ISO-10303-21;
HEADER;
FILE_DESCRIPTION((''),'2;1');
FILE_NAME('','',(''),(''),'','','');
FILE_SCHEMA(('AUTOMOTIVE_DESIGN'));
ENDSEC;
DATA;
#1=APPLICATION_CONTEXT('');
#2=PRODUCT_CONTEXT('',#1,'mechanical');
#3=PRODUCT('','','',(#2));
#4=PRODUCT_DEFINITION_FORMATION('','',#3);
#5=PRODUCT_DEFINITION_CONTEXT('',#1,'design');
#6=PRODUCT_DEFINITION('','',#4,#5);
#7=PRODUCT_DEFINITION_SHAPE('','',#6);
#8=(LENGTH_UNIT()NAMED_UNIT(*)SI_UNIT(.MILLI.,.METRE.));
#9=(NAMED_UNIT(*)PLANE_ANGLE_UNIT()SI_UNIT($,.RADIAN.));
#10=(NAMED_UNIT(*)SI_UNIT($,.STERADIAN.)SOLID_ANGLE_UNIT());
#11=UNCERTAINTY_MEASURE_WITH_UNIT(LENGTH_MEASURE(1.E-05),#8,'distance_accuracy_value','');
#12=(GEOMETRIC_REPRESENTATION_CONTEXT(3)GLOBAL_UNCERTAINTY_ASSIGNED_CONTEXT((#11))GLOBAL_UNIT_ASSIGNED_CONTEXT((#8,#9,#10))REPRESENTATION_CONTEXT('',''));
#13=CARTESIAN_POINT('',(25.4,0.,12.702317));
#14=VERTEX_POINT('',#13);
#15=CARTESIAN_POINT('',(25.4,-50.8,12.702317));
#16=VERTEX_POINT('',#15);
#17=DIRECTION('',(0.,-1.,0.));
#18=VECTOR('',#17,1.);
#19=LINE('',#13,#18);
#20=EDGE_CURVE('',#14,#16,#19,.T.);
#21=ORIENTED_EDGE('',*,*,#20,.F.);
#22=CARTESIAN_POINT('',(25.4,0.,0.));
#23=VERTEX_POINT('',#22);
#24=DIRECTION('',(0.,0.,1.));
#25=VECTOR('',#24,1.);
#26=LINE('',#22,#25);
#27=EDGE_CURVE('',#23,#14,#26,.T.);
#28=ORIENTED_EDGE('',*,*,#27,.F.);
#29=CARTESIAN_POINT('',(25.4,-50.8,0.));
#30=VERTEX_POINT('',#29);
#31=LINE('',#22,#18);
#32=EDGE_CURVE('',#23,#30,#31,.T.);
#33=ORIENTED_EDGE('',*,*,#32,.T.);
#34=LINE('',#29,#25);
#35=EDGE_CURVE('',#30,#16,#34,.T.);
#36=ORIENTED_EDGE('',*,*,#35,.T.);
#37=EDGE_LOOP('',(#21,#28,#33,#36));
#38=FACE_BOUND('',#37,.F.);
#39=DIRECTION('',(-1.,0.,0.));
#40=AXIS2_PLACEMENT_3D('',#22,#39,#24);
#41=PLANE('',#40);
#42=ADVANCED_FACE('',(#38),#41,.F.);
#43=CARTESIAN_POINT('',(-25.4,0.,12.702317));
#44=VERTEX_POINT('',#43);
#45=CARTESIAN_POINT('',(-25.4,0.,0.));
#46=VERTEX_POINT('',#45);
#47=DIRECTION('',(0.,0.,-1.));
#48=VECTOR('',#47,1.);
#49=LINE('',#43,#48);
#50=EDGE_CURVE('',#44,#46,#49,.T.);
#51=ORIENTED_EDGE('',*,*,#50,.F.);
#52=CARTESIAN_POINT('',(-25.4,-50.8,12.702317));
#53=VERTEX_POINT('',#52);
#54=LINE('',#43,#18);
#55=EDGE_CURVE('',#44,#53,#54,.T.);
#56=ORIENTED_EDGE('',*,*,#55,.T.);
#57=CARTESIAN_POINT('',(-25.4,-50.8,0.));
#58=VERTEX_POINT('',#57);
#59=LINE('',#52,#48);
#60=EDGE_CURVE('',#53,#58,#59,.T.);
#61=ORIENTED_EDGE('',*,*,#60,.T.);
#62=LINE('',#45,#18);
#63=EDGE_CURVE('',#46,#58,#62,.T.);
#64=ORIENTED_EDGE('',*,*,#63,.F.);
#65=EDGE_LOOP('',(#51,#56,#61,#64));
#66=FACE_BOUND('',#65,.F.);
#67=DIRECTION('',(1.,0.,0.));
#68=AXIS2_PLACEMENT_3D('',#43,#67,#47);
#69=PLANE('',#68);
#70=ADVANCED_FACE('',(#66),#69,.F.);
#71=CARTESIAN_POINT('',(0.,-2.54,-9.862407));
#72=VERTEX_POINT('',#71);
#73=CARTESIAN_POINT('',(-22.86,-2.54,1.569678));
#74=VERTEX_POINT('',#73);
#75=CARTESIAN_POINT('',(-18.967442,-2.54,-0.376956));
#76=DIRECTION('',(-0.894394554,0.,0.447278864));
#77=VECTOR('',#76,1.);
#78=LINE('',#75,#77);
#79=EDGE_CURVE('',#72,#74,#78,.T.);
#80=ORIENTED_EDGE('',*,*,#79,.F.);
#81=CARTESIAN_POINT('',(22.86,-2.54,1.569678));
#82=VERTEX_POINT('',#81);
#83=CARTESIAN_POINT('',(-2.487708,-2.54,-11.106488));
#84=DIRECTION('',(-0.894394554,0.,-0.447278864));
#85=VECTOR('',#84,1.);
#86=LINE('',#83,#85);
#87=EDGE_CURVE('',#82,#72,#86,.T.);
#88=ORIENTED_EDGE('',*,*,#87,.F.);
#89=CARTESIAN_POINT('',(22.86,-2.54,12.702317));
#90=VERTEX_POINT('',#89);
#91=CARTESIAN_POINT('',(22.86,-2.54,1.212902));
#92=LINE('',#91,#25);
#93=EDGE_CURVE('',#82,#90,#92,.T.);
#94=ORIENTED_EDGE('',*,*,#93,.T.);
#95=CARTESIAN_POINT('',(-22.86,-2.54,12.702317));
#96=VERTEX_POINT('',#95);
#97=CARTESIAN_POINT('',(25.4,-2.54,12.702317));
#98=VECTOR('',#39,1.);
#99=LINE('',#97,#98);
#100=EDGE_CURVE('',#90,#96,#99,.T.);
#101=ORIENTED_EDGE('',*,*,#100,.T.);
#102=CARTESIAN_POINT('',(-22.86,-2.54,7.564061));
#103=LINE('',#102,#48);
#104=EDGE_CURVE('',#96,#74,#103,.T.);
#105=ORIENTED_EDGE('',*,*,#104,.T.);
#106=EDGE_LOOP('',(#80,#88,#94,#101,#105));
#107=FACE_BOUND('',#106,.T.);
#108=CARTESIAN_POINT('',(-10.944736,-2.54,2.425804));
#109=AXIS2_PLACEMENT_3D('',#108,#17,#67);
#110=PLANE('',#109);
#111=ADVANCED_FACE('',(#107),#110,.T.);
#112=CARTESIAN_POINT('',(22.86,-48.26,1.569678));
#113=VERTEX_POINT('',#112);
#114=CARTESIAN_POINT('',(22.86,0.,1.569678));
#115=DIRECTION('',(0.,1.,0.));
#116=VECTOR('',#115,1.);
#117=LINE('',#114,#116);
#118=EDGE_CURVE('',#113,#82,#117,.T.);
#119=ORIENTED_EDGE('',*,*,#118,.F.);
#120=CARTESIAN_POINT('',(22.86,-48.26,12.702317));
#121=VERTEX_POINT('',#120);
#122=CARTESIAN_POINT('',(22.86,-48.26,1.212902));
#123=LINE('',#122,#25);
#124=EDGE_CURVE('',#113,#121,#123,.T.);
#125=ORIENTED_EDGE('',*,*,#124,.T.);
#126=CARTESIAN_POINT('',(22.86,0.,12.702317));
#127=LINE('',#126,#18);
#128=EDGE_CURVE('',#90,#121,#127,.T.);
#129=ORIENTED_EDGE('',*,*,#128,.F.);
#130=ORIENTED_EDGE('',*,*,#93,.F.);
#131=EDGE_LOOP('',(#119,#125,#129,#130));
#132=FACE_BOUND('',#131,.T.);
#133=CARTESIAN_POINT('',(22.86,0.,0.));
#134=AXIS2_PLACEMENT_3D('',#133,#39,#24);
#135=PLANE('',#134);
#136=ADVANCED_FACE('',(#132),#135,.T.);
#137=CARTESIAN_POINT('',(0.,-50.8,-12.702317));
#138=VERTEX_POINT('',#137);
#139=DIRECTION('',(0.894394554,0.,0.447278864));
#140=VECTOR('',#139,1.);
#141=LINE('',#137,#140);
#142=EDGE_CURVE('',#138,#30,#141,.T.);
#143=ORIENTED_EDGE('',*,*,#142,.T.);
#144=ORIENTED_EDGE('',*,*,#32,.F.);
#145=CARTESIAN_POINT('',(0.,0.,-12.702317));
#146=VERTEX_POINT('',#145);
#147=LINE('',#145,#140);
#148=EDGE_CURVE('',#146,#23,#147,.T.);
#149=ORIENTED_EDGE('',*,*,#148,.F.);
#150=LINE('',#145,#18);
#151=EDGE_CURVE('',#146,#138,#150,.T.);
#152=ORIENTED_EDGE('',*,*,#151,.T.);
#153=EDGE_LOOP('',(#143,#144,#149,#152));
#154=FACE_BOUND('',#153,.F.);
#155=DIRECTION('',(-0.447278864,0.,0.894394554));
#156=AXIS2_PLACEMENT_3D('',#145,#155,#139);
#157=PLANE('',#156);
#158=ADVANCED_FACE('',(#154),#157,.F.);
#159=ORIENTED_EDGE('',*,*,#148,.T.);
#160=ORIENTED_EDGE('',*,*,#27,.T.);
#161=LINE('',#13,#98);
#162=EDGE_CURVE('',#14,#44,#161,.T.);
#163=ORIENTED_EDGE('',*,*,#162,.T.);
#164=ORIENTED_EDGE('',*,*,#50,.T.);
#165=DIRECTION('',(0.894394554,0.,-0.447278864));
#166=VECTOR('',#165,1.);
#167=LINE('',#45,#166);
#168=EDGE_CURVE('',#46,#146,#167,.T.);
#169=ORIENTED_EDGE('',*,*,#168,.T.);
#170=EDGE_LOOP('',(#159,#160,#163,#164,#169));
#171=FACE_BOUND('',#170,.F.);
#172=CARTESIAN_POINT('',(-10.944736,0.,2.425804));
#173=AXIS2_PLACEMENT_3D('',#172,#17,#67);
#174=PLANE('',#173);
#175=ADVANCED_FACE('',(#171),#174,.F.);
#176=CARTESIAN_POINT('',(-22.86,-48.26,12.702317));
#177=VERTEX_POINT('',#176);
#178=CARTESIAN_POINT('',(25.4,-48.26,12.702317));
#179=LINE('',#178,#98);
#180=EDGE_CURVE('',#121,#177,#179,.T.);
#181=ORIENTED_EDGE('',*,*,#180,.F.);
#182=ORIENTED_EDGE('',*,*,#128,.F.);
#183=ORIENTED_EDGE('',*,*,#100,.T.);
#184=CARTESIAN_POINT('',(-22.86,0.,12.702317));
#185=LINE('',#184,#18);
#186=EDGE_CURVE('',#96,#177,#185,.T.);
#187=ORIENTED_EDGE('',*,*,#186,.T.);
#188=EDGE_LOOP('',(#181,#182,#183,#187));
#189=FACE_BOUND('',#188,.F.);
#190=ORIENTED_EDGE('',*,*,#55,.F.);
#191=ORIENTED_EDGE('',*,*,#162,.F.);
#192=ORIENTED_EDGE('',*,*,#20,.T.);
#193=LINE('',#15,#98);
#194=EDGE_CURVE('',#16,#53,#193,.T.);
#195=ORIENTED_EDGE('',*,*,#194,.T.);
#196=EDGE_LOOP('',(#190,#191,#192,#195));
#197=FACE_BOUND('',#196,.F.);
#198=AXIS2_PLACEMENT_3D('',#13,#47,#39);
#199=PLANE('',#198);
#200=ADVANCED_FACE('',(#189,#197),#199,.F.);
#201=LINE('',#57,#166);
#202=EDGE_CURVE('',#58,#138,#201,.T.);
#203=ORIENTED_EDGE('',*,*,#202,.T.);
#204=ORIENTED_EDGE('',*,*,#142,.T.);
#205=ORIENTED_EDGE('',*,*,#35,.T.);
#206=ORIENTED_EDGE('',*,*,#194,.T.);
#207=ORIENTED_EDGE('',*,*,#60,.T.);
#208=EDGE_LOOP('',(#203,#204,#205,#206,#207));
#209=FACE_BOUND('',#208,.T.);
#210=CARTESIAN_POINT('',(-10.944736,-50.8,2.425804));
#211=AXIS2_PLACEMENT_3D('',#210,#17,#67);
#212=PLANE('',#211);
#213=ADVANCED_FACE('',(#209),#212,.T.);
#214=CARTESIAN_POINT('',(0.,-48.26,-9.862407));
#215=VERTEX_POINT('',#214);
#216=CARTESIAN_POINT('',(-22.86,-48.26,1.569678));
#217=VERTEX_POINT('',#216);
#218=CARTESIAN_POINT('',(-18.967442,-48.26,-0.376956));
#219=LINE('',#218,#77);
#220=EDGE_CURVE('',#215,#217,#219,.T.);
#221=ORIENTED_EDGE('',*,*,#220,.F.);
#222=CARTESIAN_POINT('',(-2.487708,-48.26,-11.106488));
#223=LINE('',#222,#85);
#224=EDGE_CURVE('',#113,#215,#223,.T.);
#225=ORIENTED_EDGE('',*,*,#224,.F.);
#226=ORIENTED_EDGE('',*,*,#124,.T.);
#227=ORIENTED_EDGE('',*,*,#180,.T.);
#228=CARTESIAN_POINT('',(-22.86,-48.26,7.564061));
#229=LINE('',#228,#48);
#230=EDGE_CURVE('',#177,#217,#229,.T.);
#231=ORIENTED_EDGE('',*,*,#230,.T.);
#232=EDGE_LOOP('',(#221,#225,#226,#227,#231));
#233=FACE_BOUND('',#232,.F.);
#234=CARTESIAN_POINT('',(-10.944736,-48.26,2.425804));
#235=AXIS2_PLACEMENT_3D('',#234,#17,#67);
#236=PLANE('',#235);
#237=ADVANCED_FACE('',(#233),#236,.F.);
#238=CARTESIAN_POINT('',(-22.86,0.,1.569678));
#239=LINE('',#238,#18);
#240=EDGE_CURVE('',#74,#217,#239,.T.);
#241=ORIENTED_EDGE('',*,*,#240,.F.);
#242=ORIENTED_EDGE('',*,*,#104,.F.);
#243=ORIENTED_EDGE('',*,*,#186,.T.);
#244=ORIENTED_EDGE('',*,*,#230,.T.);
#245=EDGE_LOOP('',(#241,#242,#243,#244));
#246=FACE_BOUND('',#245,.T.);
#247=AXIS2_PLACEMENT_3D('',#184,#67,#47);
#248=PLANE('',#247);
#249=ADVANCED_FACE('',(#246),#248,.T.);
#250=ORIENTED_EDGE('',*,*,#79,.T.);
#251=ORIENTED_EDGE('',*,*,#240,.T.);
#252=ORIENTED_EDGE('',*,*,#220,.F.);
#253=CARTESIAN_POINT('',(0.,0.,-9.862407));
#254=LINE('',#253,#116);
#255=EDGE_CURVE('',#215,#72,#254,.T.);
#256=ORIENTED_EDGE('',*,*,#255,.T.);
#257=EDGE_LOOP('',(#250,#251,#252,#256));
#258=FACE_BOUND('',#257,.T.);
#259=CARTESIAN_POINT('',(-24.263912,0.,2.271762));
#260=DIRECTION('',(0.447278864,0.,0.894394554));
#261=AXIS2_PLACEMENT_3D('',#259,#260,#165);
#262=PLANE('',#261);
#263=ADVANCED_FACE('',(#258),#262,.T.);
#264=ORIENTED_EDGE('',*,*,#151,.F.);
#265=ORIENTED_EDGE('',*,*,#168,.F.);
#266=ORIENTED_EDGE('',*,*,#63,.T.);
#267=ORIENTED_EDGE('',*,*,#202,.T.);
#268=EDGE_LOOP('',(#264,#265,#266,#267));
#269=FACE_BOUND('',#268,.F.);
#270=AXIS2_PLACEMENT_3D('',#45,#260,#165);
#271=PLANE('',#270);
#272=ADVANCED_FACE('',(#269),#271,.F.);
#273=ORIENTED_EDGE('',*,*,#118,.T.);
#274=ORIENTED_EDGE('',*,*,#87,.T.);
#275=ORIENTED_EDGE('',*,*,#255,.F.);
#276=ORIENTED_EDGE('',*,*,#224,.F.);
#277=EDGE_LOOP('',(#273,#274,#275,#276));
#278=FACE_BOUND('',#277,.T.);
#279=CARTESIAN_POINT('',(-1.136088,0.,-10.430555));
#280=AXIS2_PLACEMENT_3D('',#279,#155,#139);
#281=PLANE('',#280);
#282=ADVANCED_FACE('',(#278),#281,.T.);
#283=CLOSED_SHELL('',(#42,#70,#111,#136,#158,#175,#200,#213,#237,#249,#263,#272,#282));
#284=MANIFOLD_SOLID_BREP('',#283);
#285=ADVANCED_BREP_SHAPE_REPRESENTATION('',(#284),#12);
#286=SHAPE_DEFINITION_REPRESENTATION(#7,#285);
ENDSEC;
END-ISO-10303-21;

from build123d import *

# Parameters (mm, degrees)
F1_DEPTH = 50.8
F2_T     = -2.54


with BuildPart() as f1:
    # F0 (on Front) → F1 (new body)
    with BuildSketch(Plane.XZ):
        Polygon((0, -12.702317), (0, 0), (0, 12.702317), (-25.4, 12.702317), (-25.4, 0), align=None)
        Polygon((0, 12.702317), (0, 0), (0, -12.702317), (25.4, 0), (25.4, 12.702317), align=None)
    extrude(amount=F1_DEPTH)

    # F2
    f2_openings = [f1.faces().sort_by_distance(p)[0] for p in [
        (0, -25.4, 12.702317),
    ]]
    offset(amount=F2_T, openings=f2_openings)


solid = f1.part
